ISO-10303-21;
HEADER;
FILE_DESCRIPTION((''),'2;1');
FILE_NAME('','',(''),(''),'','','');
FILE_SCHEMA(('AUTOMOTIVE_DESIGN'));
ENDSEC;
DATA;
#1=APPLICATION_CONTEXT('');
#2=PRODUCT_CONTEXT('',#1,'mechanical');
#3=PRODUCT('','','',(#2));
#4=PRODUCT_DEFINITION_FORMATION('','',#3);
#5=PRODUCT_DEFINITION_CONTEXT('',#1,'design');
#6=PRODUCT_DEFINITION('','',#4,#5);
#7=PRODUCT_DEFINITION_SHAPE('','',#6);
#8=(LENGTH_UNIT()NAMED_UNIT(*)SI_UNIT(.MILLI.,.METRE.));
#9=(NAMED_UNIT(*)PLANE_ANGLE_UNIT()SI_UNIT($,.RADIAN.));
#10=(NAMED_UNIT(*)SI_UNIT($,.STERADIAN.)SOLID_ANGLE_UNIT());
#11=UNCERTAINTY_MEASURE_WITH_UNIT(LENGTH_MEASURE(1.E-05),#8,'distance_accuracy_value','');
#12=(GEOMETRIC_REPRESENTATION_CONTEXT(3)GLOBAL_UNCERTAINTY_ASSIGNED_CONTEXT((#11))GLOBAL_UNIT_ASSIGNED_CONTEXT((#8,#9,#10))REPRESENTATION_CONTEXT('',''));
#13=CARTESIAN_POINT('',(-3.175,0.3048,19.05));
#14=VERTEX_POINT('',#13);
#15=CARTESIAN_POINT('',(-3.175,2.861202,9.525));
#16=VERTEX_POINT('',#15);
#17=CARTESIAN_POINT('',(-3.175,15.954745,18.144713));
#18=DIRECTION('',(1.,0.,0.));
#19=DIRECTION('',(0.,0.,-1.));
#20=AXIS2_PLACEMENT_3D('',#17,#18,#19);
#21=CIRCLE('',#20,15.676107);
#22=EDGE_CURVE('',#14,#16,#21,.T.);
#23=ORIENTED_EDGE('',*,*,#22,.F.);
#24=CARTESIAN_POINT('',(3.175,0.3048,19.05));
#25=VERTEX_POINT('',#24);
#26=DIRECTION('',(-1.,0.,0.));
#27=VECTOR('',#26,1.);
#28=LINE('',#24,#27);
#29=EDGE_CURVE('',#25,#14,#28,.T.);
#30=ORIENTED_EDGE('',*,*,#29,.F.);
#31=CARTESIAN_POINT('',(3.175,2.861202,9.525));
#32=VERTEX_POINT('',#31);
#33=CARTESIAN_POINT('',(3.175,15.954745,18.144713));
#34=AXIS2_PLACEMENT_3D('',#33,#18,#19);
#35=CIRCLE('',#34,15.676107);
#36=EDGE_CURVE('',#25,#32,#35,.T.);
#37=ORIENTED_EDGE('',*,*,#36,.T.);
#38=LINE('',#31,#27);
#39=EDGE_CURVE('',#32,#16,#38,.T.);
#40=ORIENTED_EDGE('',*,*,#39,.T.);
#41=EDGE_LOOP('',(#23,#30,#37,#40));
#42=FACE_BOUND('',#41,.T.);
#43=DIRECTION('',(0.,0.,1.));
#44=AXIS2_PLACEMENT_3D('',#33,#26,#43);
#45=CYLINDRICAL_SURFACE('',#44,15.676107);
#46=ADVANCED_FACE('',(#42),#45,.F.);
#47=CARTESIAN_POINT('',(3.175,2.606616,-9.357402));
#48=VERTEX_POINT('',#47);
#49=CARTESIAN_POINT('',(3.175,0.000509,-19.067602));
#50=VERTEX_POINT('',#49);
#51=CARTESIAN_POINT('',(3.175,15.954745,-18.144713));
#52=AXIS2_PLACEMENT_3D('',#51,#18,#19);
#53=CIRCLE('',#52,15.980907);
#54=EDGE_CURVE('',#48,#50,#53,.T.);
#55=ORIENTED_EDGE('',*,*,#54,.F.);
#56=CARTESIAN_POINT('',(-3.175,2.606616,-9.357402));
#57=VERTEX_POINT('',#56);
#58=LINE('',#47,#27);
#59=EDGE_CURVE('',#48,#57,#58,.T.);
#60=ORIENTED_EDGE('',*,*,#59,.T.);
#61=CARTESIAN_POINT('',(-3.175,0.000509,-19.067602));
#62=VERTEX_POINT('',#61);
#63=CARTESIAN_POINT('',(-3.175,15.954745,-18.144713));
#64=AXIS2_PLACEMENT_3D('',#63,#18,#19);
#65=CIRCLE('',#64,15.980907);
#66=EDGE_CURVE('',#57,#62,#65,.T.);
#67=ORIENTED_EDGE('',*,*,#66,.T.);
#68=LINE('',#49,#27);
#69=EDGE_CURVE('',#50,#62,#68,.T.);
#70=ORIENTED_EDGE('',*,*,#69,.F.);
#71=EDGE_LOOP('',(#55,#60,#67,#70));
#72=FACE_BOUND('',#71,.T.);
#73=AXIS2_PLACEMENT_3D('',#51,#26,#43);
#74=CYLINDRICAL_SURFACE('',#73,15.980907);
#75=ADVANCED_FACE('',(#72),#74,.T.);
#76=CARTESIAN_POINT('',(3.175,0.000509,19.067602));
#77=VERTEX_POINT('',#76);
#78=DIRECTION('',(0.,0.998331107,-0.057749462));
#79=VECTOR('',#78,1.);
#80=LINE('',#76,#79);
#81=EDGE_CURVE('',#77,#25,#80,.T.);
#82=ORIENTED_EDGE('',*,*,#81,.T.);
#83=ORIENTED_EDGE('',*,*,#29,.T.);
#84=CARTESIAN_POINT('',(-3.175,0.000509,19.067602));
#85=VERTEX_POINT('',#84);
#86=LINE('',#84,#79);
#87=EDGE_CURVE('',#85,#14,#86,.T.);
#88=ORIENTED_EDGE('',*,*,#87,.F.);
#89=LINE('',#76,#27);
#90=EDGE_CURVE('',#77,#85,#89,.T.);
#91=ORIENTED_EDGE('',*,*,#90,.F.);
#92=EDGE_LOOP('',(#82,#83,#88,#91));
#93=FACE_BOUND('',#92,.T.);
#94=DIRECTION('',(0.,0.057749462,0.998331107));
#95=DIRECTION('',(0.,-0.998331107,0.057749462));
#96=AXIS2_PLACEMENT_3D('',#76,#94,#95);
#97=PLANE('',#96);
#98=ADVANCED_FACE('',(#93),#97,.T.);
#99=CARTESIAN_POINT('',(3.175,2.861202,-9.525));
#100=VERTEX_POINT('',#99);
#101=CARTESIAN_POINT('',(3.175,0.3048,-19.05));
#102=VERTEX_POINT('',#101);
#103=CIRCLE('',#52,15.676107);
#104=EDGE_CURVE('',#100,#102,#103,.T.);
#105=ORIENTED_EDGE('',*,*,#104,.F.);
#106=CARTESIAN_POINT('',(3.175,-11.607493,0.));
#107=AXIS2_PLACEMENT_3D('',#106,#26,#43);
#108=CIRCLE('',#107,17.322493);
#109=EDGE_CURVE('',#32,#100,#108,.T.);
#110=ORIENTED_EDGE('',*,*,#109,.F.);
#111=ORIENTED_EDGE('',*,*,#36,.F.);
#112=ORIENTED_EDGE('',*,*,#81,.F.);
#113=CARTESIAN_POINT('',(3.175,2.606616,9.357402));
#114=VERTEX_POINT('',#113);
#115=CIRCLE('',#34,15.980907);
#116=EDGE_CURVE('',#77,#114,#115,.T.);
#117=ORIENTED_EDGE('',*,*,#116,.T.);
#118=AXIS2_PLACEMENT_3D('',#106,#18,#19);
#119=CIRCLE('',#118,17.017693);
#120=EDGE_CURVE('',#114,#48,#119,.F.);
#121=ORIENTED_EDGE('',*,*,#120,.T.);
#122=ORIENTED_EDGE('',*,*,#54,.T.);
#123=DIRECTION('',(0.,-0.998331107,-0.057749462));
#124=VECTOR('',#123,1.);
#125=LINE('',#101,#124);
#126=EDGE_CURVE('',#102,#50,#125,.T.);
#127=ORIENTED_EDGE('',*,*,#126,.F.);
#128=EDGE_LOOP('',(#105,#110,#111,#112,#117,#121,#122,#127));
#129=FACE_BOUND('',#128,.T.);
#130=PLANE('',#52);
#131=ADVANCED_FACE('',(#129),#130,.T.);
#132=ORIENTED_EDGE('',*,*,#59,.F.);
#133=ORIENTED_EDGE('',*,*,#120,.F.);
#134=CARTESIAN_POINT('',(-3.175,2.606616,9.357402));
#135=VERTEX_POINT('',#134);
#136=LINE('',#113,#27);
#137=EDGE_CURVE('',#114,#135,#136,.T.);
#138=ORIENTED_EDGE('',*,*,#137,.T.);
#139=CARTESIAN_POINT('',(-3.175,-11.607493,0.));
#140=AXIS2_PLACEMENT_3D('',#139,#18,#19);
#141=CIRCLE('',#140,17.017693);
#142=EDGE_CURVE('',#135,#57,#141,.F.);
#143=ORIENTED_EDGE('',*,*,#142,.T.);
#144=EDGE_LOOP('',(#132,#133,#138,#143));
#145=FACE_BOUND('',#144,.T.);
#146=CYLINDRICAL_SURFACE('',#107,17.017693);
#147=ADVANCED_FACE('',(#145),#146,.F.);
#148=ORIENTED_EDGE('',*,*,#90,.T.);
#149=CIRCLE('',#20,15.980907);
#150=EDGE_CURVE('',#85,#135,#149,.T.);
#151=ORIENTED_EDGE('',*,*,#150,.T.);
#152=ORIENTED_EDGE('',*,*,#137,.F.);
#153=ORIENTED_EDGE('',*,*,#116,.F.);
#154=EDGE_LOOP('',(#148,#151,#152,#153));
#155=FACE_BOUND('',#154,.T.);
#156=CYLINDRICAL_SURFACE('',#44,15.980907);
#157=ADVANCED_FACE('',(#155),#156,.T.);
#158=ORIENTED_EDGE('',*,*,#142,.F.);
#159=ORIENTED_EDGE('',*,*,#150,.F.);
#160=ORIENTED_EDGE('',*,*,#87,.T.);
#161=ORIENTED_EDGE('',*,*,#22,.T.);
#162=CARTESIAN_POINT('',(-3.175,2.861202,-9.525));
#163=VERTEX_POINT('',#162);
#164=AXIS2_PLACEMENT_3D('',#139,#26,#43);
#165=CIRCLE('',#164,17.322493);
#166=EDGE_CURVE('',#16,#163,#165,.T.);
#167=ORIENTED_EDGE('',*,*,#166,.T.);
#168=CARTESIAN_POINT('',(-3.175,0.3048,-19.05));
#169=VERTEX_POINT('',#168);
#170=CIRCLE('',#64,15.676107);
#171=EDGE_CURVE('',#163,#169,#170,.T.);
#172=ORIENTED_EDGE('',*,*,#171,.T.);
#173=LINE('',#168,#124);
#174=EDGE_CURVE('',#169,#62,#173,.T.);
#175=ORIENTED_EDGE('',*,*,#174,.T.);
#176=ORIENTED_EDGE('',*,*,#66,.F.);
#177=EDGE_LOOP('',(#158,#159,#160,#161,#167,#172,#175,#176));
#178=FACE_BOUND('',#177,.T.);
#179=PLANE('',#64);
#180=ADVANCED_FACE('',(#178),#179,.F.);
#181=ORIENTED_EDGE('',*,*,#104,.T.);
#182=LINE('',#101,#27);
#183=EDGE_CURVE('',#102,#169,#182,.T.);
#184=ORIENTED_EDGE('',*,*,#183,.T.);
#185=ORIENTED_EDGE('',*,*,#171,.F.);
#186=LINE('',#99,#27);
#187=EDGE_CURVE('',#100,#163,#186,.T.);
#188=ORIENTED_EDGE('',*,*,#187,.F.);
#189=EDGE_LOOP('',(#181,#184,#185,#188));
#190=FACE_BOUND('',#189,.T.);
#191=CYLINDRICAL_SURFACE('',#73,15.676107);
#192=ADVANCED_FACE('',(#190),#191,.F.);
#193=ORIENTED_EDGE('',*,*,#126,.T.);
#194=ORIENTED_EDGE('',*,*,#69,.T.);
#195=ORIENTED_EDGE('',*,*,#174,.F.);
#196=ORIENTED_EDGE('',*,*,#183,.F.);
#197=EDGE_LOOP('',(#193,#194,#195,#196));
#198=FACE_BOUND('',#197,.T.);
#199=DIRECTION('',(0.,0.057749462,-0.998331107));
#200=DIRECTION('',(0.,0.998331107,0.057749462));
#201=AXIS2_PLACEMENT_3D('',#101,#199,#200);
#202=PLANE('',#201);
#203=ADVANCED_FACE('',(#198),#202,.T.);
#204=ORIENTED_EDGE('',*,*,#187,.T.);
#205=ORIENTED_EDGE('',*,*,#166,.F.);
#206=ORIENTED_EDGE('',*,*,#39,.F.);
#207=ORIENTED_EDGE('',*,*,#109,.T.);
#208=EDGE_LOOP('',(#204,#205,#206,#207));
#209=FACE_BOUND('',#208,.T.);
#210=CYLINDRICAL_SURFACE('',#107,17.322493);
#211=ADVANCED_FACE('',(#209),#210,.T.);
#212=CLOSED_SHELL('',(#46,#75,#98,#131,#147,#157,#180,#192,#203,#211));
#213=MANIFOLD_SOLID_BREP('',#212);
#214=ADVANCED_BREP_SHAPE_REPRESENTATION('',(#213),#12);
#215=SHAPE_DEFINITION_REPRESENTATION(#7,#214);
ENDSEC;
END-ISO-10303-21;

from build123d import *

# Parameters (mm, degrees)
EXTRUDE_THIN1_DEPTH = 3.175


with BuildPart() as part:
    # Sketch1 → Extrude-Thin1 (new, symmetric)
    with BuildSketch(Plane(origin=(0, 0, 0), x_dir=(0, 0, -1), z_dir=(1, 0, 0))):
        with BuildLine():
            ThreePointArc((-19.05, 0.3048), (-14.081230666, 0.814453346), (-9.525000281, 2.861201965))
            ThreePointArc((-9.525000281, 2.861201965), (0, 5.715), (9.525000281, 2.861201965))
            ThreePointArc((9.525000281, 2.861201965), (14.081230666, 0.814453346), (19.05, 0.3048))
            Line((19.05, 0.3048), (19.067602036, 0.000508679))
            ThreePointArc((19.067602036, 0.000508679), (14.002221921, 0.520071522), (9.357401999, 2.606616309))
            ThreePointArc((9.357401999, 2.606616309), (0, 5.4102), (-9.357401999, 2.606616309))
            ThreePointArc((-9.357401999, 2.606616309), (-14.002221921, 0.520071522), (-19.067602036, 0.000508679))
            Line((-19.067602036, 0.000508679), (-19.05, 0.3048))
        make_face()
    extrude(amount=EXTRUDE_THIN1_DEPTH, both=True)


solid = part.part
